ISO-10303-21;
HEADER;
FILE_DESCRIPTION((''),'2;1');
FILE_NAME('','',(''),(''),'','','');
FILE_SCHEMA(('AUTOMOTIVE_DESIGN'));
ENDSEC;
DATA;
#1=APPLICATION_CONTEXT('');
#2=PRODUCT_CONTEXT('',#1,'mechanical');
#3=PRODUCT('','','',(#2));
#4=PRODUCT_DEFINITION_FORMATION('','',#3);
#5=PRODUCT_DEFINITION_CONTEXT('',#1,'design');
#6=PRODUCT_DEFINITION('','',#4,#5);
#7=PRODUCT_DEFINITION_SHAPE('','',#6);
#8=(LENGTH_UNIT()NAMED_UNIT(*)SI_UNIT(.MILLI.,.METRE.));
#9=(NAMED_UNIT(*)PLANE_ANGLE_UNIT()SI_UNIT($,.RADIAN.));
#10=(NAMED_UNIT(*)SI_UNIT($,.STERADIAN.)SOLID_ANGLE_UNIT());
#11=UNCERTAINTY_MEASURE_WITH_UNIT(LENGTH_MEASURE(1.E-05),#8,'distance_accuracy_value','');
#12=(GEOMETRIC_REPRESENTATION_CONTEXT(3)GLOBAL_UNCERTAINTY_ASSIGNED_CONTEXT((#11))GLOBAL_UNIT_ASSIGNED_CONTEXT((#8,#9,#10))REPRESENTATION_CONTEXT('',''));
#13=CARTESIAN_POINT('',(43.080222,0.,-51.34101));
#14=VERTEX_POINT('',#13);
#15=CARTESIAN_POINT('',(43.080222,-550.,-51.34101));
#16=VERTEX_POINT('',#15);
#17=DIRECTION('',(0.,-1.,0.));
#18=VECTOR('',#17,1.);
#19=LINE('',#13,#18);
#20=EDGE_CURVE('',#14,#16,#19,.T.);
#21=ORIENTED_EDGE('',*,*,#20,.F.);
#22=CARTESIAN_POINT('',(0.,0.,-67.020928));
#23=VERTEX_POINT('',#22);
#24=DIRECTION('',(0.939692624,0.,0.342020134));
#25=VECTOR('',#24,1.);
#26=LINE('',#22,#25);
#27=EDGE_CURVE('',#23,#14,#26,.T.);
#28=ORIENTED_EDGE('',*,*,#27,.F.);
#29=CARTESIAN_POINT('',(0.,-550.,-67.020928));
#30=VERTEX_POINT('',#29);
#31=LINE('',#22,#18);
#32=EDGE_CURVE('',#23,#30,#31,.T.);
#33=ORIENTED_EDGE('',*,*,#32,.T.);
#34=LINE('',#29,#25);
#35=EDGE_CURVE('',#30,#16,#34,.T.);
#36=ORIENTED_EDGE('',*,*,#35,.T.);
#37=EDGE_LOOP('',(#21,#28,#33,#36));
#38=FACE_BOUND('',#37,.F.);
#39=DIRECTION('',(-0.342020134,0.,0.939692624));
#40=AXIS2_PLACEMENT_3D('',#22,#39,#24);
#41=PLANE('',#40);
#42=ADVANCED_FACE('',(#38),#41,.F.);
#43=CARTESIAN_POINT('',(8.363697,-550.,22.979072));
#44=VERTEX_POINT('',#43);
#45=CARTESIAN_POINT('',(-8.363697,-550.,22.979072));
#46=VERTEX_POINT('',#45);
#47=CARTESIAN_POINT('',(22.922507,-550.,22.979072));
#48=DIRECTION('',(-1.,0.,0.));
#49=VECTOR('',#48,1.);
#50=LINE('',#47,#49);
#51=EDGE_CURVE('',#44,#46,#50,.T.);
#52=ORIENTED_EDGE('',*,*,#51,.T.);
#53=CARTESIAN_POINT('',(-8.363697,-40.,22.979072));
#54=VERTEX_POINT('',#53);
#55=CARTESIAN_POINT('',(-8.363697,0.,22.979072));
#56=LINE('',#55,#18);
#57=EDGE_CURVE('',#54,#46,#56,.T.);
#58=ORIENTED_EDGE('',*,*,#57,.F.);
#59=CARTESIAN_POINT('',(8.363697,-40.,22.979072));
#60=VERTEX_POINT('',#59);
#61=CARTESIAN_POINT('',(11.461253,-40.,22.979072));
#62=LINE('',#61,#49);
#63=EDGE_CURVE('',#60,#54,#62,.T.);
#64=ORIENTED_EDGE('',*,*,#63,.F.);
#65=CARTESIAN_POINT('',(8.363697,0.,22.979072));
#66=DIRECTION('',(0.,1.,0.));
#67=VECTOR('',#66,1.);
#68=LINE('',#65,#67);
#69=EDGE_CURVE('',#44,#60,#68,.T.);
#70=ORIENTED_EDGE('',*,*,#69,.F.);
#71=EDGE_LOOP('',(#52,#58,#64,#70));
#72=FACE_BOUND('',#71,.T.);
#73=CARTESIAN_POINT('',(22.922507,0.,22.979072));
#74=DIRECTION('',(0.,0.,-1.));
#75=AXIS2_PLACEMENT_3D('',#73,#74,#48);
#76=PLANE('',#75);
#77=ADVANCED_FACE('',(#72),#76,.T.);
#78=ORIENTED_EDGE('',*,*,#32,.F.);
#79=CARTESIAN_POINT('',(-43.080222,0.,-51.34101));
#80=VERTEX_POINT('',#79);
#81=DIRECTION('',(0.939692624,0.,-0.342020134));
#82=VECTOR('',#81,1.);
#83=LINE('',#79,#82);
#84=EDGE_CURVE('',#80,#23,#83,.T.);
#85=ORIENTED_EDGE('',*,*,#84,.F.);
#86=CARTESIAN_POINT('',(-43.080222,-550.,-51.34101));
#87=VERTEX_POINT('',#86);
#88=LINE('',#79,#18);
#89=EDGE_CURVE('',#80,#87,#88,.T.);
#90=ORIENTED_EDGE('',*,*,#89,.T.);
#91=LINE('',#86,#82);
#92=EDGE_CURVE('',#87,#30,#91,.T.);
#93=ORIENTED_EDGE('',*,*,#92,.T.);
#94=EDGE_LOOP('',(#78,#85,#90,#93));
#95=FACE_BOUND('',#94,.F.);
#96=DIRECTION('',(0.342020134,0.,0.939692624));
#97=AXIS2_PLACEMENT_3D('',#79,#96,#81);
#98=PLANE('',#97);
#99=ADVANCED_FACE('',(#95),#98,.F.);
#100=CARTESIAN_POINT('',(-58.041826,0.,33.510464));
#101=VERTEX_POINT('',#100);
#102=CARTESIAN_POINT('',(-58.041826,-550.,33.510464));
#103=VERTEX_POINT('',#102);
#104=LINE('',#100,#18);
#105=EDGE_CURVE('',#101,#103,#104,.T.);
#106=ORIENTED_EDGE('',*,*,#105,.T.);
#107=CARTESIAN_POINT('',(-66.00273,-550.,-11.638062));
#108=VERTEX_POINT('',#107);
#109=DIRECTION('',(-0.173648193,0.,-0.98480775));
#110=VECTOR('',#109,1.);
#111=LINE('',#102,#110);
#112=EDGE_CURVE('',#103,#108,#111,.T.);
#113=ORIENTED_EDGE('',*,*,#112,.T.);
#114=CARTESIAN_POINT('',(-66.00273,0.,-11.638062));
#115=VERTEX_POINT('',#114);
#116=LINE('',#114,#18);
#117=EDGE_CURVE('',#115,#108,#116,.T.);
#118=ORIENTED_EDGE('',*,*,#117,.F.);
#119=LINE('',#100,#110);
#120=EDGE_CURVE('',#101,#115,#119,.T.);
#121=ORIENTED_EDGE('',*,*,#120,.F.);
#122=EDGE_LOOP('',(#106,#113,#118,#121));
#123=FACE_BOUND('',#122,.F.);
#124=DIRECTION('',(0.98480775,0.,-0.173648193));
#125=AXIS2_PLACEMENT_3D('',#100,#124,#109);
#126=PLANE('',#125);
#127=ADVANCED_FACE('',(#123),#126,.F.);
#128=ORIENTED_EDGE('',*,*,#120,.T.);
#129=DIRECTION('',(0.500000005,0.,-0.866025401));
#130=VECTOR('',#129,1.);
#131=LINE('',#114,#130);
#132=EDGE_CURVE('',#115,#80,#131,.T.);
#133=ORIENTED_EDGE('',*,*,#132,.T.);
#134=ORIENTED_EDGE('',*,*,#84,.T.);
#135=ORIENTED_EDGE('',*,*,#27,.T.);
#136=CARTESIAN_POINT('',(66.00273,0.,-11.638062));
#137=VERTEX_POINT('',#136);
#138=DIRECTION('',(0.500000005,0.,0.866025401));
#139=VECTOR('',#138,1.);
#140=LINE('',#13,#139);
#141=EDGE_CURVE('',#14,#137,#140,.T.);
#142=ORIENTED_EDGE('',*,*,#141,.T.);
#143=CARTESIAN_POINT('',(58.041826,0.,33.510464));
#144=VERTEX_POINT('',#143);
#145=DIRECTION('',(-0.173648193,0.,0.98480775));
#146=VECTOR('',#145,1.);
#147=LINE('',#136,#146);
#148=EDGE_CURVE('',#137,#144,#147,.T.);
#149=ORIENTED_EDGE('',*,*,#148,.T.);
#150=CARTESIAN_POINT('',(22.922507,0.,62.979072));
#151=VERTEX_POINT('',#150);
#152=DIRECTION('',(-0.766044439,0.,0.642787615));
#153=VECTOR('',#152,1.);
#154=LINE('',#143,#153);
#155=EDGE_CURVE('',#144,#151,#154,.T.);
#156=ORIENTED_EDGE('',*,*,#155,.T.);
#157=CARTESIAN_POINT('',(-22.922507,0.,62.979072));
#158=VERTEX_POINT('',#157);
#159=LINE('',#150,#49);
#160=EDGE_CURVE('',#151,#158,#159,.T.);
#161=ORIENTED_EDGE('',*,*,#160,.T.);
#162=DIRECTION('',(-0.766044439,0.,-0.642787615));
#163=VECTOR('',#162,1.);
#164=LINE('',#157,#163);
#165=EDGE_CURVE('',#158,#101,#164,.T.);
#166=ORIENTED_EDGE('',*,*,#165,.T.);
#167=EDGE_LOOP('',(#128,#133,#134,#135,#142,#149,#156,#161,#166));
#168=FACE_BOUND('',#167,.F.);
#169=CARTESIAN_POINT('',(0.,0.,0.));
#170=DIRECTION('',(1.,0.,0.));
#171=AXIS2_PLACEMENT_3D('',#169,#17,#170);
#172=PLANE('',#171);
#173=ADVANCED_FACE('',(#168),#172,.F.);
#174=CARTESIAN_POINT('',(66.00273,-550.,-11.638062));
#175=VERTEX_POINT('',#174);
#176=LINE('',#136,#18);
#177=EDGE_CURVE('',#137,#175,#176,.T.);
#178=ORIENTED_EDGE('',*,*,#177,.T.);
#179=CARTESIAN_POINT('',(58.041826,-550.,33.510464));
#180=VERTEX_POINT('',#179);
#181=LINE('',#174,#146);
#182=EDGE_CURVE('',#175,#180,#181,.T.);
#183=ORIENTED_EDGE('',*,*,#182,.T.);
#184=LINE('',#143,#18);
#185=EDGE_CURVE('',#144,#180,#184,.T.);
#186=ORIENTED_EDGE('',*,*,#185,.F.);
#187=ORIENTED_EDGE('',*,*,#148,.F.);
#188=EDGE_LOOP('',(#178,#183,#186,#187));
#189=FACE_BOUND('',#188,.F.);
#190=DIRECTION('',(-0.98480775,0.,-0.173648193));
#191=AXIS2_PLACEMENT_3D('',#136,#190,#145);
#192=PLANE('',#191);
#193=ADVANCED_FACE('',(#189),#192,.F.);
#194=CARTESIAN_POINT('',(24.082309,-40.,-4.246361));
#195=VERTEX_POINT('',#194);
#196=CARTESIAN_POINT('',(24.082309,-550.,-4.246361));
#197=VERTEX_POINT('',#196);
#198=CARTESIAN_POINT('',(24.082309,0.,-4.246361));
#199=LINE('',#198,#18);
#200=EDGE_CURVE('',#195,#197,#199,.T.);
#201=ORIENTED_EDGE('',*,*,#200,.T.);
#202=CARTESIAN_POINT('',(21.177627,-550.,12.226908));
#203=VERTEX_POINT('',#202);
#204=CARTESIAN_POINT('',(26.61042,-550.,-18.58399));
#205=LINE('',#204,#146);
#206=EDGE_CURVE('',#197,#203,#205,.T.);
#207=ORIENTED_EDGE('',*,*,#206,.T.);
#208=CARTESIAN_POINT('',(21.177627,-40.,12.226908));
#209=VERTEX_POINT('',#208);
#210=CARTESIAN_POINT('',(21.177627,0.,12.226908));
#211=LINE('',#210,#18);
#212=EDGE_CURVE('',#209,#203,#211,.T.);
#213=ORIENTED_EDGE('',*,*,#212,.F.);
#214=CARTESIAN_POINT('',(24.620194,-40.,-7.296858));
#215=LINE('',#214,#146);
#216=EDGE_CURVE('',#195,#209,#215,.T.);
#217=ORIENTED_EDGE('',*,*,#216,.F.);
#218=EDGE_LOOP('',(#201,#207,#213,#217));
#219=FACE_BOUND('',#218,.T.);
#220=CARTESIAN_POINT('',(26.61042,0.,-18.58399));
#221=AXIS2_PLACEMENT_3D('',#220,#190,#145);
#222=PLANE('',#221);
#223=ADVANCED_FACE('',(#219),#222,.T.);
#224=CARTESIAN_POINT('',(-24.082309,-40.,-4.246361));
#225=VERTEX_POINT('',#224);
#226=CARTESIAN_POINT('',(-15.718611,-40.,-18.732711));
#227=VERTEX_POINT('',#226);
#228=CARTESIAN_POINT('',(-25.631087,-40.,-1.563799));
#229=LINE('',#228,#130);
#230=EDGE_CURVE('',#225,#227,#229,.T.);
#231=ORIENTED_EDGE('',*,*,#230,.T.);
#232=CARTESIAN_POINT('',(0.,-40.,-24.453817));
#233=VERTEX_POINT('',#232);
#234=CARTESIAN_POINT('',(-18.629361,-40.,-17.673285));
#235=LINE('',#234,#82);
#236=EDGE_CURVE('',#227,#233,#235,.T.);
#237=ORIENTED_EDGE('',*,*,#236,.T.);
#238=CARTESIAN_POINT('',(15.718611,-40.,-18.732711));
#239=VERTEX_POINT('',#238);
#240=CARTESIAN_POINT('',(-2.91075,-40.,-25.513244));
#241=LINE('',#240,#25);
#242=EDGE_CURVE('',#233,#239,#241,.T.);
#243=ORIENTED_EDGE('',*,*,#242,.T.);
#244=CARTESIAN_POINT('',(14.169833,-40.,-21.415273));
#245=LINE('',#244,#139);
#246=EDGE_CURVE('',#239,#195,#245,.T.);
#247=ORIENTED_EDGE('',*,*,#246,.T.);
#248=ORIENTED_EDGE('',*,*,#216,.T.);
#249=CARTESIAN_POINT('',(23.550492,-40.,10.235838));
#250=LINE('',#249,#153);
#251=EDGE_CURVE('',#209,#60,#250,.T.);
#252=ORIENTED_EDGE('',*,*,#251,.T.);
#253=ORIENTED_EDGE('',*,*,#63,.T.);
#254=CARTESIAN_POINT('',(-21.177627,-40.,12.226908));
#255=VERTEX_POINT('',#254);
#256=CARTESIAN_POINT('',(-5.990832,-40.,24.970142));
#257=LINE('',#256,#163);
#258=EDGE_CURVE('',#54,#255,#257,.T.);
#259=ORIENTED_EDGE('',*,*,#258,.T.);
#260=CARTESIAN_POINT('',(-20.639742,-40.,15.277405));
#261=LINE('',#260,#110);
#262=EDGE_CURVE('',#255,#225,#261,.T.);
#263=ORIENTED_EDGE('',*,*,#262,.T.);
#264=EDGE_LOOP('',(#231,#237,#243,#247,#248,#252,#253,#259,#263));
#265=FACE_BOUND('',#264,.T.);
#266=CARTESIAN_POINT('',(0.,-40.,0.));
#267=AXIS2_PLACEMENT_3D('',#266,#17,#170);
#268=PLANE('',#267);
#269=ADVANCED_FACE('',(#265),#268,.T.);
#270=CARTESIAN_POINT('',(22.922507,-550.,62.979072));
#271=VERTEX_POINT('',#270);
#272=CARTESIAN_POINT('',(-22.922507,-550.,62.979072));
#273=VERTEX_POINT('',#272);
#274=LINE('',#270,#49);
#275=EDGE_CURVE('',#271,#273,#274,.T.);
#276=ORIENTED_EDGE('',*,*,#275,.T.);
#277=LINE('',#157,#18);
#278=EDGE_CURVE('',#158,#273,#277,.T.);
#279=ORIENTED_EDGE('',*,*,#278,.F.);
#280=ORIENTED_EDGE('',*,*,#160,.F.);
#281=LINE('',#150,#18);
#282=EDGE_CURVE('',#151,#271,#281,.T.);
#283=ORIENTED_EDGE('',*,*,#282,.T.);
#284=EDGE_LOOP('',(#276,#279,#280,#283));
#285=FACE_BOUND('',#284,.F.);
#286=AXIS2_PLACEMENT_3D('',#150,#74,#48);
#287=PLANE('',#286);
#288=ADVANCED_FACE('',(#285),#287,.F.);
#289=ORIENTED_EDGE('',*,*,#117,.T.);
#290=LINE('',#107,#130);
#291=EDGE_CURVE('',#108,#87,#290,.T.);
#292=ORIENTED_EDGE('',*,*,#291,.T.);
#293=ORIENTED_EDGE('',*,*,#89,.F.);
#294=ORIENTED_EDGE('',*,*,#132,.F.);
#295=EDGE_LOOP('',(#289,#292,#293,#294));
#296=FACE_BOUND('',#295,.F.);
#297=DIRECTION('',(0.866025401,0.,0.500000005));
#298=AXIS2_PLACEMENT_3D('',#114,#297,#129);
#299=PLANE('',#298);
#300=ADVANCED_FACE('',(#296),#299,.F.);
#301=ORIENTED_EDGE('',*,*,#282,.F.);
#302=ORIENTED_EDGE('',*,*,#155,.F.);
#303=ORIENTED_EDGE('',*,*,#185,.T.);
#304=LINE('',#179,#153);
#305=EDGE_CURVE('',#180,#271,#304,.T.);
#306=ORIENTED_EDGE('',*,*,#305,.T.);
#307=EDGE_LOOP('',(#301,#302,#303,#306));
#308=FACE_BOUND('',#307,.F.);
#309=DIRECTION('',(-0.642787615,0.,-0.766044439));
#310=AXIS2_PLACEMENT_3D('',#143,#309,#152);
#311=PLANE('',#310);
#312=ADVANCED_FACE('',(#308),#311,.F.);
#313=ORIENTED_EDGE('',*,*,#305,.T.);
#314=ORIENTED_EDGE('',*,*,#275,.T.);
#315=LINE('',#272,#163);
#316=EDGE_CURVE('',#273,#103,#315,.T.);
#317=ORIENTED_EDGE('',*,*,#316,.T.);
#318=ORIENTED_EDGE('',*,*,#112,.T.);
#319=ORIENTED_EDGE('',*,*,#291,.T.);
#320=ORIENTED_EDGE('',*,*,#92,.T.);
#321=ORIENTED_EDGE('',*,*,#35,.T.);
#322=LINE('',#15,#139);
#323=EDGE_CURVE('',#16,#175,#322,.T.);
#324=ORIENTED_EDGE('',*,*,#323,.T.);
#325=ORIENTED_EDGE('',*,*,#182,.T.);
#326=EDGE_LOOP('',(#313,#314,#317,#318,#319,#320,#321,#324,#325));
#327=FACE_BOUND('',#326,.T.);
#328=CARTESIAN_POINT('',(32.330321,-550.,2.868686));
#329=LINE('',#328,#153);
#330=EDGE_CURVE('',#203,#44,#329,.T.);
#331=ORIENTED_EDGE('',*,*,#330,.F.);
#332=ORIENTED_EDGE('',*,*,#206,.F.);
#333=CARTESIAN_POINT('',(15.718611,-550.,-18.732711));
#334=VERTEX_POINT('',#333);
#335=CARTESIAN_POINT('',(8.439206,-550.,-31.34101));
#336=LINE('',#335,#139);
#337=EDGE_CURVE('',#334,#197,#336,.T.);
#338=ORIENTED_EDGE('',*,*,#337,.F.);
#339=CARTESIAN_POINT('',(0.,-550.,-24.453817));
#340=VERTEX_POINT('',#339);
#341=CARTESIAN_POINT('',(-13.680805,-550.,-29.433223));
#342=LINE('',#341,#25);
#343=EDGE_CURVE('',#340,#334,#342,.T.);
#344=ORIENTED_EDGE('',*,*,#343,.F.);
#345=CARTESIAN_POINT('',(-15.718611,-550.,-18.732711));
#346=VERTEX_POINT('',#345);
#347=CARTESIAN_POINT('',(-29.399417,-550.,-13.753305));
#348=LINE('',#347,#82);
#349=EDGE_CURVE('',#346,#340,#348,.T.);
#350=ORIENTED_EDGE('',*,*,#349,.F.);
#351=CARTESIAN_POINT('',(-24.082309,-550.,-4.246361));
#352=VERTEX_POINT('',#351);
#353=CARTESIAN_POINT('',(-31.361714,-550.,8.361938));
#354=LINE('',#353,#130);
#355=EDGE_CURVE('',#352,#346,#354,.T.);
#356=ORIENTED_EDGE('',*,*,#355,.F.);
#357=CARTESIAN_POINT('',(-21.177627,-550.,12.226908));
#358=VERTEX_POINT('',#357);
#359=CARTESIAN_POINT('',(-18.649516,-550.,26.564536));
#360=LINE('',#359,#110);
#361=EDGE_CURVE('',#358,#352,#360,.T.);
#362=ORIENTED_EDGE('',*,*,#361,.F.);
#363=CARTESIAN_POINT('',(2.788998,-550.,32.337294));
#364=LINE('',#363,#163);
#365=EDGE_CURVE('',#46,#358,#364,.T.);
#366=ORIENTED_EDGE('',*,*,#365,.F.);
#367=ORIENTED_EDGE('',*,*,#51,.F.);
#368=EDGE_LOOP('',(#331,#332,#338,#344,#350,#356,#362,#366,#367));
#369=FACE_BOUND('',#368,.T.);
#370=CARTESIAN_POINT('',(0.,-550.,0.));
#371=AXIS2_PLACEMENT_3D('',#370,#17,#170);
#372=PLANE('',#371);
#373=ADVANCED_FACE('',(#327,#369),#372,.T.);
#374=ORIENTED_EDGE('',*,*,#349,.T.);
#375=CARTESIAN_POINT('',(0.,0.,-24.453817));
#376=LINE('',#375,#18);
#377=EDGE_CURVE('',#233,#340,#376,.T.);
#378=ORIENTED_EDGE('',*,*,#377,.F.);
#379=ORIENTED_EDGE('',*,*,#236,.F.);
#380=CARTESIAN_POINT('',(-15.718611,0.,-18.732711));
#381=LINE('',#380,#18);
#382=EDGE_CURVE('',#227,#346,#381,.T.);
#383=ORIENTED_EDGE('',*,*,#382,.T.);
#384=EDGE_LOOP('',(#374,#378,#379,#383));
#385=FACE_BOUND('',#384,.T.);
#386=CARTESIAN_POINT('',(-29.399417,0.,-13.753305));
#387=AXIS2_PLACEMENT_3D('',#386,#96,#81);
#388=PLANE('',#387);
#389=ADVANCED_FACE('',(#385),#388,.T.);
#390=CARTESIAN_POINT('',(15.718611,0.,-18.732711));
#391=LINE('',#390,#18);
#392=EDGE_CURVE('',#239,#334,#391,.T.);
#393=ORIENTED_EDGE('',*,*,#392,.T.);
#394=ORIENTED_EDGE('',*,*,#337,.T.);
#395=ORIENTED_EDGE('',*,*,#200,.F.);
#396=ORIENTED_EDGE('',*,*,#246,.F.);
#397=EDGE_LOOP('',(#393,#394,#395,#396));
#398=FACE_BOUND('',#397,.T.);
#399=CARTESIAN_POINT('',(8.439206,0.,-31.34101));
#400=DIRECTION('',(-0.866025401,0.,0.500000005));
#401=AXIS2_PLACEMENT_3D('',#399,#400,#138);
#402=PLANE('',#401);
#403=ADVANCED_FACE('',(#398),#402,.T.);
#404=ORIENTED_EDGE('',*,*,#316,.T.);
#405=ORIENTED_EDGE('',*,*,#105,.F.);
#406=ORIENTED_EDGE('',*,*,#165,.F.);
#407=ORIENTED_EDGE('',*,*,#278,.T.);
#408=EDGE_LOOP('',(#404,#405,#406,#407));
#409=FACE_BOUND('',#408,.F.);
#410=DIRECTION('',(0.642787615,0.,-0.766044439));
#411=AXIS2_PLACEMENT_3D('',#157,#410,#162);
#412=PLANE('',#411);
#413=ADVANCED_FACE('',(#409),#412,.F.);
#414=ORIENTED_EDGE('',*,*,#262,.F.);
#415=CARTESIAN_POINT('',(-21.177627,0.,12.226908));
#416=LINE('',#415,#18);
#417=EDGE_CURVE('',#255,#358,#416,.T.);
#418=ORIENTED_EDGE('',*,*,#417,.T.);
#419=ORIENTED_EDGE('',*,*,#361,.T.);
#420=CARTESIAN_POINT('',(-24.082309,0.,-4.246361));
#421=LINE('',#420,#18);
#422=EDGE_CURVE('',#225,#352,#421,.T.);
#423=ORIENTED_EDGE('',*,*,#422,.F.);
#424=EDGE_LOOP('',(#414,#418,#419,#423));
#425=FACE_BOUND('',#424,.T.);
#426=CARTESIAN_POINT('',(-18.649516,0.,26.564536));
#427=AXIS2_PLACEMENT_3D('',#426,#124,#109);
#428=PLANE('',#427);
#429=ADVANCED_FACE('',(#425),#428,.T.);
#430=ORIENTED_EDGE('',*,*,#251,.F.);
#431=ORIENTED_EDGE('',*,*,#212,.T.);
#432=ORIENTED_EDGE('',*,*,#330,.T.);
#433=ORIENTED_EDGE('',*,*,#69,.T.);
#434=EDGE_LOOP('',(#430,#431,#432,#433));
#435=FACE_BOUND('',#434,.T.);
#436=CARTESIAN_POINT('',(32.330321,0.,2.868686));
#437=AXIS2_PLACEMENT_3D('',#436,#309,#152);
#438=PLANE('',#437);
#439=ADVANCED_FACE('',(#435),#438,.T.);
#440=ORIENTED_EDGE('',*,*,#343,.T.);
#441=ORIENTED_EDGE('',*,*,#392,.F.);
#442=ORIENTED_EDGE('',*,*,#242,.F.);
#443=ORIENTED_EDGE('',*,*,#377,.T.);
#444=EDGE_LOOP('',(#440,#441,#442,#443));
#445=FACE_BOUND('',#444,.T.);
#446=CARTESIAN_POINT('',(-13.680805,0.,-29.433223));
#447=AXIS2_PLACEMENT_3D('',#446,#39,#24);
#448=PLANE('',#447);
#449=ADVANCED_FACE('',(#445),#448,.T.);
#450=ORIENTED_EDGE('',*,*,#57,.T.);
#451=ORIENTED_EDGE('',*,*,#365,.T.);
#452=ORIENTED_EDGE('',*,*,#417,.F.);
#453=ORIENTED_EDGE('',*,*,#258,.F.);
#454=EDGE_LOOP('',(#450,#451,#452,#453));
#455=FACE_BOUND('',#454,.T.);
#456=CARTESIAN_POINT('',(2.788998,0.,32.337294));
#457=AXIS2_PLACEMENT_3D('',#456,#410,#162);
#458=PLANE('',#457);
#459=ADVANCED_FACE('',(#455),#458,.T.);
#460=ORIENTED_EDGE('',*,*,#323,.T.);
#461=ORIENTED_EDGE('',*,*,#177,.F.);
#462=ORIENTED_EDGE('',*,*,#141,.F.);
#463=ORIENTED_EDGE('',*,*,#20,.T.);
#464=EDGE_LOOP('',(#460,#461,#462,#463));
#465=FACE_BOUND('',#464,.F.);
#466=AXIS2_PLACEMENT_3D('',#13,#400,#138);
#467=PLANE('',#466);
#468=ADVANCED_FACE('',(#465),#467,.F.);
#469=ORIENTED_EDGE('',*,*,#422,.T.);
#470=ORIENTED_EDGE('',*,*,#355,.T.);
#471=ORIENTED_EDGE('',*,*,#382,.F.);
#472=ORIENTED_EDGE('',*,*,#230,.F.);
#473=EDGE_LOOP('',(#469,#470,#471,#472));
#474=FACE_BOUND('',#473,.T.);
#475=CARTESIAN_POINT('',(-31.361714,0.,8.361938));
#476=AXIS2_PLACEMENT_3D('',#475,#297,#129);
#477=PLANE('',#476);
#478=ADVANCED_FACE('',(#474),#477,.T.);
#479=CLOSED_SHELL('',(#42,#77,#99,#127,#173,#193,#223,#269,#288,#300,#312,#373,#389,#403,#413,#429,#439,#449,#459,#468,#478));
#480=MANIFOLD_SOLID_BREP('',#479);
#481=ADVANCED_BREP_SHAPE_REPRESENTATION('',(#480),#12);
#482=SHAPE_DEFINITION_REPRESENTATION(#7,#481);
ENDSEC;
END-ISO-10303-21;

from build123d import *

# Parameters (mm, degrees)
F1_DEPTH = 550
F2_T     = -40


with BuildPart() as f1:
    # F0 (on Front) → F1 (new body)
    with BuildSketch(Plane.XZ):
        Polygon((22.922507, 62.979072), (-22.922507, 62.979072), (-58.041826, 33.510464), (-66.00273, -11.638062), (-43.080222, -51.34101), (0, -67.020928), (43.080222, -51.34101), (66.00273, -11.638062), (58.041826, 33.510464), align=None)
    extrude(amount=F1_DEPTH)

    # F2
    f2_openings = [f1.faces().sort_by_distance(p)[0] for p in [
        (0, -550, 0),
    ]]
    offset(amount=F2_T, openings=f2_openings)


solid = f1.part
